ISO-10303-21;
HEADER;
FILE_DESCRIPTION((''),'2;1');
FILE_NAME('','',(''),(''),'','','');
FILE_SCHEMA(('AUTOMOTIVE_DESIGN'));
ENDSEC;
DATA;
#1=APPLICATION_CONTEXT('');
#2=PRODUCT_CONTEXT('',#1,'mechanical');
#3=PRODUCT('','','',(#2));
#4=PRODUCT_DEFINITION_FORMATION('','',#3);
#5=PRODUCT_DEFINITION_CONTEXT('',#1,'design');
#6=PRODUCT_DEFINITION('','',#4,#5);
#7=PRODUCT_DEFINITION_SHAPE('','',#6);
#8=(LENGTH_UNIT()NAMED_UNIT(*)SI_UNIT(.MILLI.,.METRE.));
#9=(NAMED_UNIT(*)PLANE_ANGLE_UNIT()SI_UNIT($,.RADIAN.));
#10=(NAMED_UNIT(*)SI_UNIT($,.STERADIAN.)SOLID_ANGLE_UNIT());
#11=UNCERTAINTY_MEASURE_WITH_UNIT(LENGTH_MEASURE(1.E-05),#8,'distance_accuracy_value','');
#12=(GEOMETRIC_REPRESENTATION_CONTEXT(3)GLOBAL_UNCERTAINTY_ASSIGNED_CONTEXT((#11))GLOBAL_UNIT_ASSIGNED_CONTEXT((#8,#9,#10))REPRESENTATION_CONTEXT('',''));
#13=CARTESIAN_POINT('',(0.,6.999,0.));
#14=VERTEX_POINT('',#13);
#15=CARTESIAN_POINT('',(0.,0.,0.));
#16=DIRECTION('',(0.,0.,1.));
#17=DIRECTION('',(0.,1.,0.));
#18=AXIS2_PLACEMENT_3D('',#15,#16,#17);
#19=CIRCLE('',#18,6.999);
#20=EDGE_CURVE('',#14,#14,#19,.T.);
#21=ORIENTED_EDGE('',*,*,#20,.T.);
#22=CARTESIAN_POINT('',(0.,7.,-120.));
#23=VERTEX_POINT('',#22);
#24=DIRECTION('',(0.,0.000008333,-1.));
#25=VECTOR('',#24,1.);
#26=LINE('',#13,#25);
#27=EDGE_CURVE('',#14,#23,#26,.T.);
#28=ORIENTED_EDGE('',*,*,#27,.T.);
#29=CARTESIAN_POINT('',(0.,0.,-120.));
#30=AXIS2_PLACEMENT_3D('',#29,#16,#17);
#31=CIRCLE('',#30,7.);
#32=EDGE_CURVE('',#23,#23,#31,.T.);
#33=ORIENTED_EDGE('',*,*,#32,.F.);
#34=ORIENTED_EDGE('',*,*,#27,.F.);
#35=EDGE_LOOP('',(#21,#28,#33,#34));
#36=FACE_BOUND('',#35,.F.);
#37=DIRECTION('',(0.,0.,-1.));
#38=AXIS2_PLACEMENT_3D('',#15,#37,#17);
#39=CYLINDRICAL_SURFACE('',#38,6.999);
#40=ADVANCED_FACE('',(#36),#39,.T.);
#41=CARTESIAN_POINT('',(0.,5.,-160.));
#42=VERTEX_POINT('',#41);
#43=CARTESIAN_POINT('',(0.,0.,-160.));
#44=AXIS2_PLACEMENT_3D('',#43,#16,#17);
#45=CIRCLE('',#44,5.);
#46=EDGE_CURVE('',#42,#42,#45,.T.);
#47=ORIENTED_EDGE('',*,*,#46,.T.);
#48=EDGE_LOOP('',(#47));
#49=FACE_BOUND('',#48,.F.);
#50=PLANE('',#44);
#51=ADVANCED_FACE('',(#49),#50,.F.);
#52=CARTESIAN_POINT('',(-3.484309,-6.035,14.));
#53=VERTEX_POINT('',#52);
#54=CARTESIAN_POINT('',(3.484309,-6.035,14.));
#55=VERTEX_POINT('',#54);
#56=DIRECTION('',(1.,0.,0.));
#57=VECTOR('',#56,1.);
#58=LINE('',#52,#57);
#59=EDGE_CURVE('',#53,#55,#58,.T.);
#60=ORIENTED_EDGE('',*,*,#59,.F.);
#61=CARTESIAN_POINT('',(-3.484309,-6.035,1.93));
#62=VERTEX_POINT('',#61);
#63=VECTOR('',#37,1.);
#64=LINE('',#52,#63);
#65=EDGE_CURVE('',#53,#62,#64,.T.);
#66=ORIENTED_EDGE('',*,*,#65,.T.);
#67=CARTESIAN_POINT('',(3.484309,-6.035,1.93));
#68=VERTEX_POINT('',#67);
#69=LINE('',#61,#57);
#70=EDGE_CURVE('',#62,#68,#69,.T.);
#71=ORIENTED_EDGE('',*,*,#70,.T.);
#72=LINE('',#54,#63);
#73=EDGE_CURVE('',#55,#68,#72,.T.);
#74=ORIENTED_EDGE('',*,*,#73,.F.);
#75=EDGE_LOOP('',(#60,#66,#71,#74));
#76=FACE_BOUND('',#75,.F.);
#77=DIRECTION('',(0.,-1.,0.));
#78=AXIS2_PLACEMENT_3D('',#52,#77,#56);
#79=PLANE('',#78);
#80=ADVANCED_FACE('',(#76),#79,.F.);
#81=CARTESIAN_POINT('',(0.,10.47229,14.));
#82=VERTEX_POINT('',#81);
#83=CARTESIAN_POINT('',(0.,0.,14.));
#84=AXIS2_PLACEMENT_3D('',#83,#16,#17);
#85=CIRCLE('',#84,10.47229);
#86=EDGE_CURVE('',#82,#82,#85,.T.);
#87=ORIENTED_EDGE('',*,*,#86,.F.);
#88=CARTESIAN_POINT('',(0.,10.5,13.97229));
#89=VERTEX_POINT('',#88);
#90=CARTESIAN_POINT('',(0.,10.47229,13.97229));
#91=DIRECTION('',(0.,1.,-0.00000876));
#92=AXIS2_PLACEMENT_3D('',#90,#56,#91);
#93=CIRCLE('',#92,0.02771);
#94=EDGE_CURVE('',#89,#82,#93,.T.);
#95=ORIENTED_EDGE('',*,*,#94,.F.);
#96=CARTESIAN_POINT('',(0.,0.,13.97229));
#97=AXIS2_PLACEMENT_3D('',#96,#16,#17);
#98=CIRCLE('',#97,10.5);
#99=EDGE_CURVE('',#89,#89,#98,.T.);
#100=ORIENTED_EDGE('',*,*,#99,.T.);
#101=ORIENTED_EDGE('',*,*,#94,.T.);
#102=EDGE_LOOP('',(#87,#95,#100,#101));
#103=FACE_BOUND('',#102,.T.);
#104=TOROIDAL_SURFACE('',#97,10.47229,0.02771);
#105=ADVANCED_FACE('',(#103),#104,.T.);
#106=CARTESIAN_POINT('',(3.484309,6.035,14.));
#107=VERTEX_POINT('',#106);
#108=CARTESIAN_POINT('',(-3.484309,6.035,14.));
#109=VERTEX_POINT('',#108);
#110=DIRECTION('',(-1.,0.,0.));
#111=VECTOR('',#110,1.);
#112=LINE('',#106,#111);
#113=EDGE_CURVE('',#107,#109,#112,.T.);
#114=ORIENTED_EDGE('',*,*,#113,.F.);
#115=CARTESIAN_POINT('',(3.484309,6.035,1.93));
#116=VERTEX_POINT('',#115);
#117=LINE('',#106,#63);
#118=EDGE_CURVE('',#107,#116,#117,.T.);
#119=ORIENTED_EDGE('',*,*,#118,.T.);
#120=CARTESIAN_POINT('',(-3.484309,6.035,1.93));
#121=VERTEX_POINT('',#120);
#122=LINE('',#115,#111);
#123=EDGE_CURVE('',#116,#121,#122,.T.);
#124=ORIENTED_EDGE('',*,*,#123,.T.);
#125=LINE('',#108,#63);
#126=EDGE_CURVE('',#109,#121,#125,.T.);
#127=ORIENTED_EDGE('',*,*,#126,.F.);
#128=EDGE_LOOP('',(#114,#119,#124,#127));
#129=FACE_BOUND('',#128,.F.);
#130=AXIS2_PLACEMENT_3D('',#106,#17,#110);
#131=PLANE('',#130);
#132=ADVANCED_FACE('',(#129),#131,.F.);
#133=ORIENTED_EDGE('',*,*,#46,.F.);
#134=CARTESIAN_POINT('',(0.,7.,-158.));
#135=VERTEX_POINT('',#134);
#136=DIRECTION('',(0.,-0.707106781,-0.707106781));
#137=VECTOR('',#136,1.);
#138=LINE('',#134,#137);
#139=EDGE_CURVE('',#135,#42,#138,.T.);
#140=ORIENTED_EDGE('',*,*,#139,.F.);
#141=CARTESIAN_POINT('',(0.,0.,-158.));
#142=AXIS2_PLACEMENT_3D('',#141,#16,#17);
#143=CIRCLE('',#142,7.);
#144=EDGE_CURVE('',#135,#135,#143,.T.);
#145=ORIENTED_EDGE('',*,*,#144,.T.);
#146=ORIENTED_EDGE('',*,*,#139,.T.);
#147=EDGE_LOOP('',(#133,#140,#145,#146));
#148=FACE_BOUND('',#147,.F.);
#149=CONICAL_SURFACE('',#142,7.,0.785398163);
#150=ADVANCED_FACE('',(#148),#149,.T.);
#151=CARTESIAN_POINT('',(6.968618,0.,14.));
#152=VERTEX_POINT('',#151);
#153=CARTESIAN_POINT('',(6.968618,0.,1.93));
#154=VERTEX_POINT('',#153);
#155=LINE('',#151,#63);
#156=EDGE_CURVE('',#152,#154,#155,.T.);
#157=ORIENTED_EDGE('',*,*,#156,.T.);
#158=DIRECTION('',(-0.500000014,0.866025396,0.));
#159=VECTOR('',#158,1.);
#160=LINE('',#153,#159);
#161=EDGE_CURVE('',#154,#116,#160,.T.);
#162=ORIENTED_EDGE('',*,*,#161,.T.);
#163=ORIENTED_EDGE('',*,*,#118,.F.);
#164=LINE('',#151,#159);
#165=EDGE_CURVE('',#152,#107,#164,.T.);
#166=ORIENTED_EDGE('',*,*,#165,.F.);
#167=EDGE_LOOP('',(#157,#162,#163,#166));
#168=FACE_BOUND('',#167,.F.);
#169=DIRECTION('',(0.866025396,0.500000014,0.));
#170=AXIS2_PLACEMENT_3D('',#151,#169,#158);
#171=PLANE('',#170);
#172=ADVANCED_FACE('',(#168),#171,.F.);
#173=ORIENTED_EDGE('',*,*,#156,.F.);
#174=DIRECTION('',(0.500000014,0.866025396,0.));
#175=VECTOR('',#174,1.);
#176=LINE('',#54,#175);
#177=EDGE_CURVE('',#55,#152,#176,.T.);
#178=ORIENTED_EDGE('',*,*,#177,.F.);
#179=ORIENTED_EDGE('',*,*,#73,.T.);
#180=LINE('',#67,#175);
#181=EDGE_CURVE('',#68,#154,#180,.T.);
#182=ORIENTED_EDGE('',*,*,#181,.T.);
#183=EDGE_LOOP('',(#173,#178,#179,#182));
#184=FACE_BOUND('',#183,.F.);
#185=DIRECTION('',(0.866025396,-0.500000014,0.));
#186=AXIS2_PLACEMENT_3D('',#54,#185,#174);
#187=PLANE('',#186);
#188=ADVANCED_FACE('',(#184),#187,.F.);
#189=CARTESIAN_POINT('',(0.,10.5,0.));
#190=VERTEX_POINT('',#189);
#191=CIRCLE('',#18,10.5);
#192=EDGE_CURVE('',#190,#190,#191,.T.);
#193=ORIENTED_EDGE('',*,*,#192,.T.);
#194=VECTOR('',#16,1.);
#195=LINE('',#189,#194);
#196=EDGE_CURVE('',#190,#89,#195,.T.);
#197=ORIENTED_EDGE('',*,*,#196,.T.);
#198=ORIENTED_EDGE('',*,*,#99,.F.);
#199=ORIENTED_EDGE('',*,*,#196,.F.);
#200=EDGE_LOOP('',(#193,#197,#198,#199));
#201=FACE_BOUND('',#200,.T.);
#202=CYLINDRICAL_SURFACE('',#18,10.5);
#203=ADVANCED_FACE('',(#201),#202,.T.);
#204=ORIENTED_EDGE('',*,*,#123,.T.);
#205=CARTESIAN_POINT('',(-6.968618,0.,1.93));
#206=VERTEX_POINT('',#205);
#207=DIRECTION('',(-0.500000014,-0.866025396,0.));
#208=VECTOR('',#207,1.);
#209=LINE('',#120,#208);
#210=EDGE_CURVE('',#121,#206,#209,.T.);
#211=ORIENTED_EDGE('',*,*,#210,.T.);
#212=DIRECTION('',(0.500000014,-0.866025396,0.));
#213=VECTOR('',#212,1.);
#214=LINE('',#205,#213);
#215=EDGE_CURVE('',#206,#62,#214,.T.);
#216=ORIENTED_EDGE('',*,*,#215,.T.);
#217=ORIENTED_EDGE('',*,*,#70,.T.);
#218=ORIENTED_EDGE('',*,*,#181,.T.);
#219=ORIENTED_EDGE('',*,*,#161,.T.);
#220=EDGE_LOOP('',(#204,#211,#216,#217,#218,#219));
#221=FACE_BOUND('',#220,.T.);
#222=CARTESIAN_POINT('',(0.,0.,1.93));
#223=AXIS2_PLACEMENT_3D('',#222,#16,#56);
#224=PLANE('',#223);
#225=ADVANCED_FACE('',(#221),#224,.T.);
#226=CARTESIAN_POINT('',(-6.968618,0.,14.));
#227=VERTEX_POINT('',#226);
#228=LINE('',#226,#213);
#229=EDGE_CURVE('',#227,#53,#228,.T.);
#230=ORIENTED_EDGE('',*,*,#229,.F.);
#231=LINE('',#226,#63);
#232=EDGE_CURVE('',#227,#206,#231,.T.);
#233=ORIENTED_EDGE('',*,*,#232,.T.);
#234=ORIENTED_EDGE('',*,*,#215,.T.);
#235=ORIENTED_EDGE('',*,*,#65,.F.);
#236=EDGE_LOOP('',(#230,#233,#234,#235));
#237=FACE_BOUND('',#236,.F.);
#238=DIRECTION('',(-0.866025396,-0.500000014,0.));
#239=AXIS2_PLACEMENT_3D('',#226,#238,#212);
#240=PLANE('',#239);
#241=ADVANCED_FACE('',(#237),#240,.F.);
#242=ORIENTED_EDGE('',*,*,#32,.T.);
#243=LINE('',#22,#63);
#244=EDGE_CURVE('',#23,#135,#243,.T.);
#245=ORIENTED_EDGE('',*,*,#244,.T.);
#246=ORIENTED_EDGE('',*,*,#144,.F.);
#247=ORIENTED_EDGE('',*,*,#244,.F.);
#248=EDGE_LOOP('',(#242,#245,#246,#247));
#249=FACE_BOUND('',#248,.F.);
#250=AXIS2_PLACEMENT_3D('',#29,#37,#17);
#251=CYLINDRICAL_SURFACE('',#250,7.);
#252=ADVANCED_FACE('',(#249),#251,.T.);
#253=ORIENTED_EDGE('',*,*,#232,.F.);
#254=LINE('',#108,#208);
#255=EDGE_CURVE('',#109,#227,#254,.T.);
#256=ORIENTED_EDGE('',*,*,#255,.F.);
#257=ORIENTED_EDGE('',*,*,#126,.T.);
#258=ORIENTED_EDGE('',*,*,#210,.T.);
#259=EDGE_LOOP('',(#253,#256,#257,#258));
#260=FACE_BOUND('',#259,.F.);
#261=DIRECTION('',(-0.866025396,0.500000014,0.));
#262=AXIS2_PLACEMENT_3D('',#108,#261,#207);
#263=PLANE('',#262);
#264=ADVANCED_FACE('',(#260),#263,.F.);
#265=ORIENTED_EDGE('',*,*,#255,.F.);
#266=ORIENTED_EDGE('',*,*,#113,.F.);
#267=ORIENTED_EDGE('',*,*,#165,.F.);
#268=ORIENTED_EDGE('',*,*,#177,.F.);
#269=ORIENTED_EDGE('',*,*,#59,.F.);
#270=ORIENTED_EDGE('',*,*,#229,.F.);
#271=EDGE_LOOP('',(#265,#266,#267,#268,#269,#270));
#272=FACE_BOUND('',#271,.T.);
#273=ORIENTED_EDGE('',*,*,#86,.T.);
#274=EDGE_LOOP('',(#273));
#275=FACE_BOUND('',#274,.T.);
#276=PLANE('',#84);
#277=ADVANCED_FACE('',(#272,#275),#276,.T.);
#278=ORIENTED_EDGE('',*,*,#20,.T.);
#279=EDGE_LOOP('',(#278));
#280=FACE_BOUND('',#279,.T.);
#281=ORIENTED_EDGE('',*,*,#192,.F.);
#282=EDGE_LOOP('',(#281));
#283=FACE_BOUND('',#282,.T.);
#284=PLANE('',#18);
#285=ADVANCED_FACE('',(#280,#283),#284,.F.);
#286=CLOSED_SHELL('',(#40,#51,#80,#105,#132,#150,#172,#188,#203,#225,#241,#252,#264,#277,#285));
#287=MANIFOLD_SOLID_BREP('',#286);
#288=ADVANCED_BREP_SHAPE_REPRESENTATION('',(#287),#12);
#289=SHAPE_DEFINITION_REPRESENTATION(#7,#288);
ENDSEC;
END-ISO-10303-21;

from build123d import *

# Parameters (mm, degrees)
POCKET_DEPTH = 12.07


with BuildPart() as part:
    # Sketch → Revolve (revolve)
    with BuildSketch(Plane.YZ):
        with BuildLine():
            Line((6.999, 0), (10.5, 0))
            Line((10.5, 0), (10.5, 13.97229))
            ThreePointArc((10.5, 13.97229), (10.491884, 13.991884), (10.47229, 14))
            Line((10.47229, 14), (0, 14))
            Line((0, -160), (0, 14))
            Line((5, -160), (0, -160))
            Line((7, -158), (5, -160))
            Line((7, -120), (7, -158))
            Line((6.999, 0), (7, -120))
        make_face()
    revolve(axis=Axis((0, 0, 0), (0, 0, 1)))

    # Sketch001 → Pocket (cut)
    with BuildSketch(Plane.XY.offset(14)):
        Polygon((6.968618, 0), (3.484309, 6.035), (-3.484309, 6.035), (-6.968618, 0), (-3.484309, -6.035), (3.484309, -6.035), align=None)
    extrude(amount=-POCKET_DEPTH, mode=Mode.SUBTRACT)


solid = part.part
